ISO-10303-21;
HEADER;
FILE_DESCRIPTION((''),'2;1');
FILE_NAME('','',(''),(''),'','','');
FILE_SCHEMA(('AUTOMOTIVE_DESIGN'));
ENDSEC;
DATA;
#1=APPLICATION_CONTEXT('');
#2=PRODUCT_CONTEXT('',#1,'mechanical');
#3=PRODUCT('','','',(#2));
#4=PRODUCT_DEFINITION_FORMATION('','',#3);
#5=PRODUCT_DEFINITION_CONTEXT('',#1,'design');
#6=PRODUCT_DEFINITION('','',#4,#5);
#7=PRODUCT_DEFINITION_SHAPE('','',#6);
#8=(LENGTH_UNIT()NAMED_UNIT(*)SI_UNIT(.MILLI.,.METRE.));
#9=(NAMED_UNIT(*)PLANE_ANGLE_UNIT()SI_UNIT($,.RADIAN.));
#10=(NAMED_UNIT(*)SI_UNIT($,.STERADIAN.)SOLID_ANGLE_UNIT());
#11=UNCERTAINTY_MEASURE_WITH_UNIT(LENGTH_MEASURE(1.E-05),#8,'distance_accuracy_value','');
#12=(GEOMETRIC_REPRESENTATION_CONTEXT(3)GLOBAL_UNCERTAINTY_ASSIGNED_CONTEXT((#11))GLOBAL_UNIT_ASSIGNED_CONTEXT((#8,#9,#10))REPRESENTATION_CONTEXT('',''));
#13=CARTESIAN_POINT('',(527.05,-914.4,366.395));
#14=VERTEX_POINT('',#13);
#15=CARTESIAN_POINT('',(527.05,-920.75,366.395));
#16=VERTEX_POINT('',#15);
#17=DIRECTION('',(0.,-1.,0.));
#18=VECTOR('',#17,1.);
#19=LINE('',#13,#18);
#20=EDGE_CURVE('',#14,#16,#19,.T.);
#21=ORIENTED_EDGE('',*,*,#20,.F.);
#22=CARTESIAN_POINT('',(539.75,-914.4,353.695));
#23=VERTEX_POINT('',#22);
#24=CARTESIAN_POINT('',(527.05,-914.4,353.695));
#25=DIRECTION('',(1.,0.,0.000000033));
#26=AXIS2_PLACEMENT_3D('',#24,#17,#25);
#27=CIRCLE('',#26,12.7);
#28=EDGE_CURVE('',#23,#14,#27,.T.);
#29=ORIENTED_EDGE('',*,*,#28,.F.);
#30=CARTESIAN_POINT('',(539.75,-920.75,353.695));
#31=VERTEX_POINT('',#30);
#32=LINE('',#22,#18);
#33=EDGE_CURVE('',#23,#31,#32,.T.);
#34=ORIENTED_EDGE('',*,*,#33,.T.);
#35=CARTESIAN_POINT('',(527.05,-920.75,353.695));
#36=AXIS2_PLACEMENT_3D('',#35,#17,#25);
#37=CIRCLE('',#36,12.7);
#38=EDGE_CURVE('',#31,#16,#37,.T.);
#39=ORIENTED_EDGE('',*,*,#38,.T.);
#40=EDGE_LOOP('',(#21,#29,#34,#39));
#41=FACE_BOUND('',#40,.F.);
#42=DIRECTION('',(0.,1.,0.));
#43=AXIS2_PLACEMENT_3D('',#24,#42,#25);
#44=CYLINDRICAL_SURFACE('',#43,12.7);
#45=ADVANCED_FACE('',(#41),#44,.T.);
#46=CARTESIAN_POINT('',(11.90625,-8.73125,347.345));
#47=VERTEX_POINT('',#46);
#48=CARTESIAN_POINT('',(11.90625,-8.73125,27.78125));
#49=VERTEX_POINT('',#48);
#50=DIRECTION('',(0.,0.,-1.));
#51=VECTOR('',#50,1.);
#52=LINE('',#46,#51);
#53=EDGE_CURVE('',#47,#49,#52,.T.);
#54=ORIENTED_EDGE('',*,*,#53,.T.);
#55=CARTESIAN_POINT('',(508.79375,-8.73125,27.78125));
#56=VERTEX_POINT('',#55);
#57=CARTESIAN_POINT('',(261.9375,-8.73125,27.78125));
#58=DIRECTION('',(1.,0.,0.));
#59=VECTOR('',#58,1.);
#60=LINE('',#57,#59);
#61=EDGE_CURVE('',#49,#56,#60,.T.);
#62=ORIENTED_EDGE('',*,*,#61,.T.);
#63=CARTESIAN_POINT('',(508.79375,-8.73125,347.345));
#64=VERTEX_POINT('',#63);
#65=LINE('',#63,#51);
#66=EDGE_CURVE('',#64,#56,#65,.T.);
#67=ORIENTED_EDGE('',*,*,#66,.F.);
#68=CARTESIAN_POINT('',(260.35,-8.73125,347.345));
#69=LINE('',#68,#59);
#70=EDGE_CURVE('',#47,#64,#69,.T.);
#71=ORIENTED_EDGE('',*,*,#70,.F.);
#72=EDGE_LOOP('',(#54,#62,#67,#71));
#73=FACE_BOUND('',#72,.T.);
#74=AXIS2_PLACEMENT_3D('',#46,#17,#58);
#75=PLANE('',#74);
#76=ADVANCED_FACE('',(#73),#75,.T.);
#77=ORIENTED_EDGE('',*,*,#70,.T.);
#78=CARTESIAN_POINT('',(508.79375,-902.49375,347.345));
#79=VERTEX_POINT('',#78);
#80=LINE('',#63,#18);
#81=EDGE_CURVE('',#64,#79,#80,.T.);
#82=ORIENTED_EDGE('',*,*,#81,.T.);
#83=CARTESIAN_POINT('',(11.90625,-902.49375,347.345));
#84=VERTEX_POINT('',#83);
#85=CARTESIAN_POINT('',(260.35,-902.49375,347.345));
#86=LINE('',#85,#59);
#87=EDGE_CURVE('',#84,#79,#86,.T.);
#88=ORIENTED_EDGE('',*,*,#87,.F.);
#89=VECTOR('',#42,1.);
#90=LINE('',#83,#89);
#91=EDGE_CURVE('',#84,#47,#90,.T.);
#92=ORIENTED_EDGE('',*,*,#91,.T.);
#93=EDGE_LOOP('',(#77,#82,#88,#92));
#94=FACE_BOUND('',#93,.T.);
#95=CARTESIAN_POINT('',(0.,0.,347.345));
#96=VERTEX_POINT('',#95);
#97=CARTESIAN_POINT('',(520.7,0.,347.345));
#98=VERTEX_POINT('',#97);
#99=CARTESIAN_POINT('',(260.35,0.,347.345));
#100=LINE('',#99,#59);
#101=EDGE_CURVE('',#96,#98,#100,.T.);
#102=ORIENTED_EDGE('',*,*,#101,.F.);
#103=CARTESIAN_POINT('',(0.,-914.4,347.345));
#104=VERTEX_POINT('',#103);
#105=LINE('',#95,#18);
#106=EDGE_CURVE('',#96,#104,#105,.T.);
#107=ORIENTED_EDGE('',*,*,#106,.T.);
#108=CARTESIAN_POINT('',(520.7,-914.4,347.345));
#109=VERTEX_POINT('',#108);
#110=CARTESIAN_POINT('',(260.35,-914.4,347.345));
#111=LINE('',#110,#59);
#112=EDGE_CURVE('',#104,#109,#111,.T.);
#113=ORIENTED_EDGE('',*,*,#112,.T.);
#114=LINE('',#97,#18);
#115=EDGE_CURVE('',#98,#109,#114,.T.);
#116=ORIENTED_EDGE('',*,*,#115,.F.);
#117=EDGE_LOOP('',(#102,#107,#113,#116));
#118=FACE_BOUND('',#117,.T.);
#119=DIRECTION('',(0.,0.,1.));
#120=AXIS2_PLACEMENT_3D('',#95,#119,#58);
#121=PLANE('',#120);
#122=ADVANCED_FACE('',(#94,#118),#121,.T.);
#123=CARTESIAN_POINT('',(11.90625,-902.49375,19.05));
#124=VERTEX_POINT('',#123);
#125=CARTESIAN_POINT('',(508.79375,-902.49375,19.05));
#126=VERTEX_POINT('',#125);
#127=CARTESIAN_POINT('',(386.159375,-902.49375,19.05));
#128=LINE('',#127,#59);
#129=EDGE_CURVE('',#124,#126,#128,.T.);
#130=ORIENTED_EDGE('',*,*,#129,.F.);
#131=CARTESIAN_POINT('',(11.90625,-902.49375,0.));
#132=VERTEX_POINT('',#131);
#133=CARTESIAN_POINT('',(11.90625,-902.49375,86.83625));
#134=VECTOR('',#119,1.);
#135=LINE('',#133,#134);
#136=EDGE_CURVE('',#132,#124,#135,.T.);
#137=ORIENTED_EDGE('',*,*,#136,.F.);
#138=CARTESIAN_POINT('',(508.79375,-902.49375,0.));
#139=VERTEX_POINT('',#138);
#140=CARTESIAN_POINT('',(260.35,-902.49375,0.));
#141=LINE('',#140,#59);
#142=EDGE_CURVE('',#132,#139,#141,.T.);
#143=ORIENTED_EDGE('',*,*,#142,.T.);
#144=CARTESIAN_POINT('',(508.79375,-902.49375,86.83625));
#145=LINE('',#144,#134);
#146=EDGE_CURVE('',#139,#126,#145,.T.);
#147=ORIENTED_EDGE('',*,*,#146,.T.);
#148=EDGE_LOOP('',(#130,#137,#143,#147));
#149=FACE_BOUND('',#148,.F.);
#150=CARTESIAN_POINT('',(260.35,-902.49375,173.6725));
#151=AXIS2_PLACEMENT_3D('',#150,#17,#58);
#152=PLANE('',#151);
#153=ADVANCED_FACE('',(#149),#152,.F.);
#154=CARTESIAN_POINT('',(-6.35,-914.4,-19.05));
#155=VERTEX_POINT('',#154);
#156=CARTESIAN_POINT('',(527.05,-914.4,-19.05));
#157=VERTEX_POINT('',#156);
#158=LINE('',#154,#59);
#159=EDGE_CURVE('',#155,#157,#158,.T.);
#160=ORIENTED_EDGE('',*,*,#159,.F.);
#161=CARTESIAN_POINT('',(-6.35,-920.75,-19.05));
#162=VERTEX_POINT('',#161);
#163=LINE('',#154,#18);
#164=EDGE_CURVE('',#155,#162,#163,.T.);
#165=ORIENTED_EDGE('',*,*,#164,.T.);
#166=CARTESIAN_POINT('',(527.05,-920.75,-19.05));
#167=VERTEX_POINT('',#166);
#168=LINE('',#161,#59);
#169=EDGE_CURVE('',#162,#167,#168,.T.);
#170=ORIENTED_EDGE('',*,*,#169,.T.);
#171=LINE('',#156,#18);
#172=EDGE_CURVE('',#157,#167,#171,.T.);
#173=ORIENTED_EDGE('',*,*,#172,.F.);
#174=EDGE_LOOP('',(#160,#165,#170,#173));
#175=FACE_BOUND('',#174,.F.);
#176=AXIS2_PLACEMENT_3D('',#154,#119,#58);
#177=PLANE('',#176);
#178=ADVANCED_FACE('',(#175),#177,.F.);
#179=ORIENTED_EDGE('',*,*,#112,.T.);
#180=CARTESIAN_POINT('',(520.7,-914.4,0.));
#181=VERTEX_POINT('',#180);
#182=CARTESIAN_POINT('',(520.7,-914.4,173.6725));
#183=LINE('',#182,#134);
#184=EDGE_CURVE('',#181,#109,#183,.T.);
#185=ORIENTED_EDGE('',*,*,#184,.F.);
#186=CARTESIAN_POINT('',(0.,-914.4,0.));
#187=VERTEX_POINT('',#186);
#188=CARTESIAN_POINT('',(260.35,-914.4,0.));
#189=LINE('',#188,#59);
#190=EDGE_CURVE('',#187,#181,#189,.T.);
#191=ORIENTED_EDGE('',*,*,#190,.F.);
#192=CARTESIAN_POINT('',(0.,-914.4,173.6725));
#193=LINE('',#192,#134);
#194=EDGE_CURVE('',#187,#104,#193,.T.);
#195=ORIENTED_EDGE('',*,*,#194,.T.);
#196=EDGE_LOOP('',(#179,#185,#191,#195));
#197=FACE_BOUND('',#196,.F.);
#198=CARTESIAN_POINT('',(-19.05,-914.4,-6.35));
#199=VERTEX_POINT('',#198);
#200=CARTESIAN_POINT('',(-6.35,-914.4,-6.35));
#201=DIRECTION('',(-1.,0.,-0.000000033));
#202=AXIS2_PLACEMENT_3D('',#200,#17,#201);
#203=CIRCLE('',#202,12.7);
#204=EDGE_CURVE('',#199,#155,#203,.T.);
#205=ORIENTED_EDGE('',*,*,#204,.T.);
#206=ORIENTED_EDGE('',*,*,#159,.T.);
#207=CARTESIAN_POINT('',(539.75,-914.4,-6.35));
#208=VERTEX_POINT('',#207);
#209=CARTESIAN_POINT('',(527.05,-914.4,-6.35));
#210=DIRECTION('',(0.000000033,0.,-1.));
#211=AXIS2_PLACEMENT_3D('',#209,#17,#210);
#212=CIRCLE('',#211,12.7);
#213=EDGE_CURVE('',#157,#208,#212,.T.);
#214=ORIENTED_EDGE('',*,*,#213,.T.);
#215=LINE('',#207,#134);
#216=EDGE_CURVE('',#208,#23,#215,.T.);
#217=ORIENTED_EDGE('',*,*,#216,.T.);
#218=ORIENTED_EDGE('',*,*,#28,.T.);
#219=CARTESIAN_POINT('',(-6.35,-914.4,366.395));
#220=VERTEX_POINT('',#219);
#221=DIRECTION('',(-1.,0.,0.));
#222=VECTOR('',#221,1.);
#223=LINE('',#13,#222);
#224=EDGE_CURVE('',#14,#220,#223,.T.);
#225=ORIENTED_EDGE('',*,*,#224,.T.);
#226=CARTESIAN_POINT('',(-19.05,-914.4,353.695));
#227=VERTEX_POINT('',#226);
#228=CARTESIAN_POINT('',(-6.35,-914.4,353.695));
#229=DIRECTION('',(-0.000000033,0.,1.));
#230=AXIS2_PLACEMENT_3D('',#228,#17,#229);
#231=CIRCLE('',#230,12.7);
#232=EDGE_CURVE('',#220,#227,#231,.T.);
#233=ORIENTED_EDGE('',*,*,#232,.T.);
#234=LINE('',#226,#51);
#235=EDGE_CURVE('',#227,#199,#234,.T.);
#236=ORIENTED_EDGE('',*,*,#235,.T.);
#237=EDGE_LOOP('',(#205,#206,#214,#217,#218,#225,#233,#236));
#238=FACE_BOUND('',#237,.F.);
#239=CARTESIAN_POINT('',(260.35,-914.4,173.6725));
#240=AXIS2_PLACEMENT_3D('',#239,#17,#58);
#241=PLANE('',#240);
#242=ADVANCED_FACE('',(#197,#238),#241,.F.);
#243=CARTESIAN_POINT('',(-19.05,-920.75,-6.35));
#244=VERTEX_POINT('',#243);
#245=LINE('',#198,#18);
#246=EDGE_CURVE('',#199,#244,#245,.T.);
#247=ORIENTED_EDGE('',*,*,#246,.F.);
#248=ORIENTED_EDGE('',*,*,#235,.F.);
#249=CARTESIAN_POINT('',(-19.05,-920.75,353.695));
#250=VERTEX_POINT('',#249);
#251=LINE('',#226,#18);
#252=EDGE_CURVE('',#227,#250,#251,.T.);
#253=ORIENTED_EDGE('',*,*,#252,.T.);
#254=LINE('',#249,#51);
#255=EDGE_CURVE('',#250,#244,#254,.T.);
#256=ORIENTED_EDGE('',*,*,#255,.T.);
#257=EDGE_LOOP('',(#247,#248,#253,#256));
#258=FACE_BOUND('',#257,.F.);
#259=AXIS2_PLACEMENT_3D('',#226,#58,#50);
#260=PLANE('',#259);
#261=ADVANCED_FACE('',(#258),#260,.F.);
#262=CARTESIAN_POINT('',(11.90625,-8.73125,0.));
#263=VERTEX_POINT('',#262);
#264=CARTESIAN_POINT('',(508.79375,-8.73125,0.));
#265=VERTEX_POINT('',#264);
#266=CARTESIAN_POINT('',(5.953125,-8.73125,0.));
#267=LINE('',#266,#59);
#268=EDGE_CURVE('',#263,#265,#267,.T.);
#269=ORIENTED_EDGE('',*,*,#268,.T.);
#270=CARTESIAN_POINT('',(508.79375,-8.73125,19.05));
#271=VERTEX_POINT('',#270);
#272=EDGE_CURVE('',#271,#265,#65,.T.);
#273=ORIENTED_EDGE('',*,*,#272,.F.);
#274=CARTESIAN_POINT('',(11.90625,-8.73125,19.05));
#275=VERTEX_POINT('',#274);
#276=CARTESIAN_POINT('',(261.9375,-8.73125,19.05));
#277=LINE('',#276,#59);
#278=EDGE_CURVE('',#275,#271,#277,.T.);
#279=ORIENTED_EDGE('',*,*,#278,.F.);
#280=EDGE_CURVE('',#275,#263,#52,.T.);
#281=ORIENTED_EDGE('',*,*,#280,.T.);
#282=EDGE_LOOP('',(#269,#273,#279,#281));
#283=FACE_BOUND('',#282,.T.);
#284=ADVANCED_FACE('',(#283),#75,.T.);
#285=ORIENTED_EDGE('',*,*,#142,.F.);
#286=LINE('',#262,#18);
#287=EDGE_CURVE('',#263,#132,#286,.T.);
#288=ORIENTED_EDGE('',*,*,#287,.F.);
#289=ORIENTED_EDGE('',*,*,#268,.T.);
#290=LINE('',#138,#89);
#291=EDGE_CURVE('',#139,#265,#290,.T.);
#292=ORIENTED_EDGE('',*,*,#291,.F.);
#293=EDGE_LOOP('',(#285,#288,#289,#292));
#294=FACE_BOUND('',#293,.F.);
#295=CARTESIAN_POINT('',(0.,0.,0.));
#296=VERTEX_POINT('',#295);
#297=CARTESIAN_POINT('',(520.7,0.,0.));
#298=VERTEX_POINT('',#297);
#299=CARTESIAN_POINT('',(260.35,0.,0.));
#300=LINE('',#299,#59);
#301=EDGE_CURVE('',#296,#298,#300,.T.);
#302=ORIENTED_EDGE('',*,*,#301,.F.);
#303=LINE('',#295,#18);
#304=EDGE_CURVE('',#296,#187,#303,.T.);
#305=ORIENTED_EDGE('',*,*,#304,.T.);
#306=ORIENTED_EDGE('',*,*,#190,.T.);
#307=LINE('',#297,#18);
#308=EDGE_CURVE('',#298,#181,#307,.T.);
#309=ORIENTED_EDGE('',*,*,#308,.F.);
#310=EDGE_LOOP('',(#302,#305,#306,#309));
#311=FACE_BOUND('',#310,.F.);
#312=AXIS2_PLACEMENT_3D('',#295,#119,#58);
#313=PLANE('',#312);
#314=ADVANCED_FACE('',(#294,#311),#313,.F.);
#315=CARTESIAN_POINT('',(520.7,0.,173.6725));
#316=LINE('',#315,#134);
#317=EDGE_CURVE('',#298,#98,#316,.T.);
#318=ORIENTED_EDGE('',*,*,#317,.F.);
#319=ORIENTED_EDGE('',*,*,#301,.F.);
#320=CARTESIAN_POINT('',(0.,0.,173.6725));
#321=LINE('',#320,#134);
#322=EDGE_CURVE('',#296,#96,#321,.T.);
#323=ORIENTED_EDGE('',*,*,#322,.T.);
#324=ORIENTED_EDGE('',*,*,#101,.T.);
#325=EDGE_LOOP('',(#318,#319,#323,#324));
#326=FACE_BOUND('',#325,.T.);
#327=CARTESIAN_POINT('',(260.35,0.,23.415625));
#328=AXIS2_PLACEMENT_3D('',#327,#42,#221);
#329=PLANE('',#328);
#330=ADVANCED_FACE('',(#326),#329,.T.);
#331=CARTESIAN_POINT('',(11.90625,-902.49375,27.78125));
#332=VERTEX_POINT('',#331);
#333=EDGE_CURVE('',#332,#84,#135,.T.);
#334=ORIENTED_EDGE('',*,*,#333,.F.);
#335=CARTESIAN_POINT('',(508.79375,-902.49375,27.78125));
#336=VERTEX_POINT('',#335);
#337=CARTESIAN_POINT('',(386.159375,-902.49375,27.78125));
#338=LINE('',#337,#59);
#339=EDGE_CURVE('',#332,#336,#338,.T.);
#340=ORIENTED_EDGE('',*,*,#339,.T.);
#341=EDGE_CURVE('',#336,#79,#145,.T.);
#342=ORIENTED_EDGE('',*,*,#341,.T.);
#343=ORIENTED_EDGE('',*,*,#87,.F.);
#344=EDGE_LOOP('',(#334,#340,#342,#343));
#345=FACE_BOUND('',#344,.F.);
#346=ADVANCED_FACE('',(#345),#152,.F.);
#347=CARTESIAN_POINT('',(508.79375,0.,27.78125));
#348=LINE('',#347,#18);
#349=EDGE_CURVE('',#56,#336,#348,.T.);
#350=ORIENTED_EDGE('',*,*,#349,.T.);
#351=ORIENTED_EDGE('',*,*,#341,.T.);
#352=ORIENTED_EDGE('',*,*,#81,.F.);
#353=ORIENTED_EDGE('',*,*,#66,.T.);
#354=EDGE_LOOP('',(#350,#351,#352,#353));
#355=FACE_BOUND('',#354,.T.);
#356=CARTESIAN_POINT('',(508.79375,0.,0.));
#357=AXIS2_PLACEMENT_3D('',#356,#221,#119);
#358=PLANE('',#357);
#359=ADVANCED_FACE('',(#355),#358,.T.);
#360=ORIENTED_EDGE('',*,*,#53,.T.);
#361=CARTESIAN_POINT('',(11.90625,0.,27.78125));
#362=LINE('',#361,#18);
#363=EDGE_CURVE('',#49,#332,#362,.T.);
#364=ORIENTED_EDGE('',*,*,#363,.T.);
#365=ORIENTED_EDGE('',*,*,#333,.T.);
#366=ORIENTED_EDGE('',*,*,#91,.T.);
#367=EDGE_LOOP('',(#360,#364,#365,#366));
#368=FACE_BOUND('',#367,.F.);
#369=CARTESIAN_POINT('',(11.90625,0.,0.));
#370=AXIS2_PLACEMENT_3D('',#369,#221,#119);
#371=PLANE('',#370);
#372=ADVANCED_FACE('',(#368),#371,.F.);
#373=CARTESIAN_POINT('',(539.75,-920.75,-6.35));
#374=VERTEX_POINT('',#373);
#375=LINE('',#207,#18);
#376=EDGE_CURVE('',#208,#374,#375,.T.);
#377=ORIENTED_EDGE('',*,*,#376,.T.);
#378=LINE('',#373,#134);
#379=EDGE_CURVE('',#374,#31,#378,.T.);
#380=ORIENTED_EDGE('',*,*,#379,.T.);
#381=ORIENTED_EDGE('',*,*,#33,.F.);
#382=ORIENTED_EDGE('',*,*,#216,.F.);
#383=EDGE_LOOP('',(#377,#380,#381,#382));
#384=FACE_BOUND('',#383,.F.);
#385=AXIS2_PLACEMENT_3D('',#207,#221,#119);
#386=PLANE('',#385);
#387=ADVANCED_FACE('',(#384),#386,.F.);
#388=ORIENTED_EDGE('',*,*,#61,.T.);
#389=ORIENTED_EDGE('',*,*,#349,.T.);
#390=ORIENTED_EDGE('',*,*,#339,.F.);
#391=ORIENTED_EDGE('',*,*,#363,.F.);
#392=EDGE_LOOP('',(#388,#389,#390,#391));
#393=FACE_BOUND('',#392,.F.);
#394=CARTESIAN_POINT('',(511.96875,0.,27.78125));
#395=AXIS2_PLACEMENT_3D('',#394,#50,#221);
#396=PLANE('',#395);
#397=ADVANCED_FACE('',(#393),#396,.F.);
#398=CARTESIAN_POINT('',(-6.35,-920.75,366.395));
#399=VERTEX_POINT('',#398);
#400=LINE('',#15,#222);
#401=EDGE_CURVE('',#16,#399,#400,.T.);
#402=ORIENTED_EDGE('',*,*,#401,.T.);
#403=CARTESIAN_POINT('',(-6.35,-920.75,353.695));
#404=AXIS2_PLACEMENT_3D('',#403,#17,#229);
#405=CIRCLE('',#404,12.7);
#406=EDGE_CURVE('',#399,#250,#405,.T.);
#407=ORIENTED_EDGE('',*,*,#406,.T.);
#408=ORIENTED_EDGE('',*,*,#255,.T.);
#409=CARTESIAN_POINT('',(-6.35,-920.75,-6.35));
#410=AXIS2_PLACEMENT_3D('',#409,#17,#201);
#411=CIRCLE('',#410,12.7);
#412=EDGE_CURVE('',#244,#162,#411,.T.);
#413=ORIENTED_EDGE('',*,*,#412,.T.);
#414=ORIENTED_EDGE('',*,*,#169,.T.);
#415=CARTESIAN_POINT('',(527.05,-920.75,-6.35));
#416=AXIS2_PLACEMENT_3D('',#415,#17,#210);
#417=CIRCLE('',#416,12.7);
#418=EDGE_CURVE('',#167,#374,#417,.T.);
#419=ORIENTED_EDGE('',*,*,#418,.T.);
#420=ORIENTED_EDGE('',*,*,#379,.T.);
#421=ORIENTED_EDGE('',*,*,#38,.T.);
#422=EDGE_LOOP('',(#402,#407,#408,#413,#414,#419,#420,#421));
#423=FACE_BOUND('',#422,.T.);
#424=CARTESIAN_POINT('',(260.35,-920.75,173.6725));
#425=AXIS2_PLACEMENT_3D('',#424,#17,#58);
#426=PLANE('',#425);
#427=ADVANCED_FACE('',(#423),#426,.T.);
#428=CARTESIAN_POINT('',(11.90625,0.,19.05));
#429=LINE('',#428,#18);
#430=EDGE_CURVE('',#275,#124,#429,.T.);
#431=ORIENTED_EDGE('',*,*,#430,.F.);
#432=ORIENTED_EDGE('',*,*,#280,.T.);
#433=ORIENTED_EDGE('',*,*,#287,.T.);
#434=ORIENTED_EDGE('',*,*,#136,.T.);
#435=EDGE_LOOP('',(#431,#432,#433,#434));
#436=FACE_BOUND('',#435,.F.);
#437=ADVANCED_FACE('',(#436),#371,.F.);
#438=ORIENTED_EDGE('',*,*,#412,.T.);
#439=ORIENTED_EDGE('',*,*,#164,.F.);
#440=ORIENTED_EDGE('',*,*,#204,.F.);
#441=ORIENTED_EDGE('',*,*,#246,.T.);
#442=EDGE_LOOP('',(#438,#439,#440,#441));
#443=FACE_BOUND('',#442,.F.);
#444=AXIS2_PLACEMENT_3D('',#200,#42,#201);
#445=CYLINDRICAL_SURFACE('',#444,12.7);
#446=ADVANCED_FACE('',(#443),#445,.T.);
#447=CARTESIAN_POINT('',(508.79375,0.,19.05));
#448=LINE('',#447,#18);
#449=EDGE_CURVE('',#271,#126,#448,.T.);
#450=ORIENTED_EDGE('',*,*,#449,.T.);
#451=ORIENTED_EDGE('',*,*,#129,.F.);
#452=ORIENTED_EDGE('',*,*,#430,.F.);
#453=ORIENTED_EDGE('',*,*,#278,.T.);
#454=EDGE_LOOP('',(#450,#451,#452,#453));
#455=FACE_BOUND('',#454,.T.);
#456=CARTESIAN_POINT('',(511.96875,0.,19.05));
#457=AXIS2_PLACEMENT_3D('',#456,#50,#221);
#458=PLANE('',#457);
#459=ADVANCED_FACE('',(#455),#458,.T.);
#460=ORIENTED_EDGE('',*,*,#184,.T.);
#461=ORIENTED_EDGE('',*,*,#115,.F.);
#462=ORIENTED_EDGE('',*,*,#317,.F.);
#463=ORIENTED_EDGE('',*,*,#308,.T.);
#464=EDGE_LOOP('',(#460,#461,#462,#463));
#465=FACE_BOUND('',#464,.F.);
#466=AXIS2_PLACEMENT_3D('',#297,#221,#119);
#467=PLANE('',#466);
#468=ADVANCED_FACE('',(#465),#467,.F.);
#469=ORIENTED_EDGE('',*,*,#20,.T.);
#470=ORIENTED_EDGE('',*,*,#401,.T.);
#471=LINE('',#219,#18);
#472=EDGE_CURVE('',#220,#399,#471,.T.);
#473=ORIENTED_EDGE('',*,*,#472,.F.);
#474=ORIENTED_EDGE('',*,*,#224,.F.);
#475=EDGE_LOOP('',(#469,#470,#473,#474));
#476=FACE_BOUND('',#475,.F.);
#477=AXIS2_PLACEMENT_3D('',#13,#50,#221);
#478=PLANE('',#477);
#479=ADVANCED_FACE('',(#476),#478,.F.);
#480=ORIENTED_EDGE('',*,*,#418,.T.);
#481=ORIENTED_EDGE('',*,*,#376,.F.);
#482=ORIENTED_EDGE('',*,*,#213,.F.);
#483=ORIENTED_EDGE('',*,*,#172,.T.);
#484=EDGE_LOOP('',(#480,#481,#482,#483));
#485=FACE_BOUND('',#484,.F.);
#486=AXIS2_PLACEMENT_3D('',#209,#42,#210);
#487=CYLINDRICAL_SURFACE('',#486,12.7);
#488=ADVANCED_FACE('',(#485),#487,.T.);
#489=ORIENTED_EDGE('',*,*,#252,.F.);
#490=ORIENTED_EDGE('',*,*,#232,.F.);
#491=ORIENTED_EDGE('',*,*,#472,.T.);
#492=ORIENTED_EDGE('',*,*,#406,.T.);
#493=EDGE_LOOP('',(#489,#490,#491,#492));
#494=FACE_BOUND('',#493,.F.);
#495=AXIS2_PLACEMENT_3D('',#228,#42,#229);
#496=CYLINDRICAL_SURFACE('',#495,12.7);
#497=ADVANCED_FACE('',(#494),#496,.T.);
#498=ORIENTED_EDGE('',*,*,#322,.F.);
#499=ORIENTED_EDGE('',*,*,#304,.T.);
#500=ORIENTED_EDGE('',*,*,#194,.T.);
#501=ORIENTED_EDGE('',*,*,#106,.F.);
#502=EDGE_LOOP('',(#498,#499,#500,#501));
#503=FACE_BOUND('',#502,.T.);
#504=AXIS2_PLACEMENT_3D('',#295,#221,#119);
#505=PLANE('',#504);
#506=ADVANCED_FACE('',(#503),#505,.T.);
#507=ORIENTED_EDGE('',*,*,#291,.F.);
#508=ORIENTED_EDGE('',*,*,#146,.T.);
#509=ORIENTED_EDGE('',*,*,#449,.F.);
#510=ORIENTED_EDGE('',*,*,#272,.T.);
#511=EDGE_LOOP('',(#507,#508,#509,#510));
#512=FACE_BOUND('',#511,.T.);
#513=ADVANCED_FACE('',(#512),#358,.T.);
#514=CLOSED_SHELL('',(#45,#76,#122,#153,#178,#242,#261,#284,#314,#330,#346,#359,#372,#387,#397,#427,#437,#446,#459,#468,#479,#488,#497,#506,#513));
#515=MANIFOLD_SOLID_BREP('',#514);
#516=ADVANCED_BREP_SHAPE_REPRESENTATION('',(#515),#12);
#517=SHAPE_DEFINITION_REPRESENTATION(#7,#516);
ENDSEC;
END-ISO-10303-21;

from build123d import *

# Parameters (mm, degrees)
F0_W     = 520.7
F0_H     = 347.345
F1_DEPTH = 914.4
F2_T     = -11.90625
F4_DEPTH = 6.35
F5_W     = 496.8875
F5_H     = 3.175
F6_DEPTH = 366.396
F7_W     = 503.2375
F7_H     = 8.73125
F8_DEPTH = 914.4


with BuildPart() as f1:
    # F0 (on Front) → F1 (new body)
    with BuildSketch(Plane.XZ):
        with Locations((260.35, 173.6725)):
            Rectangle(F0_W, F0_H)
    extrude(amount=F1_DEPTH)

    # F2
    f2_openings = [f1.faces().sort_by_distance(p)[0] for p in [
        (260.35, -457.2, 347.345),
        (260.35, -457.2, 0),
    ]]
    offset(amount=F2_T, openings=f2_openings)

    # F3 (on face) → F4 (join)
    with BuildSketch(Plane.XZ.offset(914.4)):
        with BuildLine():
            ThreePointArc((-19.05, -6.35), (-15.330256, -15.330256), (-6.35, -19.05))
            Line((-6.35, -19.05), (527.05, -19.05))
            ThreePointArc((527.05, -19.05), (536.030256, -15.330256), (539.75, -6.35))
            Line((539.75, -6.35), (539.75, 353.695))
            ThreePointArc((539.75, 353.695), (536.030256, 362.675256), (527.05, 366.395))
            Line((527.05, 366.395), (-6.35, 366.395))
            ThreePointArc((-6.35, 366.395), (-15.330256, 362.675256), (-19.05, 353.695))
            Line((-19.05, 353.695), (-19.05, -6.35))
        make_face()
    extrude(amount=F4_DEPTH)

    # F5 (on face) → F6 (cut, through all)
    with BuildSketch(Plane.XY.offset(347.345)):
        with Locations((260.35, -10.31875)):
            Rectangle(F5_W, F5_H)
    extrude(amount=-F6_DEPTH, mode=Mode.SUBTRACT)

    # F7 (on face) → F8 (join, through all)
    with BuildSketch(Plane(origin=(0, 0, 0), x_dir=(-1, 0, 0), z_dir=(0, 1, 0))):
        with Locations((-260.35, 23.415625)):
            Rectangle(F7_W, F7_H)
    extrude(amount=-F8_DEPTH)


solid = f1.part
